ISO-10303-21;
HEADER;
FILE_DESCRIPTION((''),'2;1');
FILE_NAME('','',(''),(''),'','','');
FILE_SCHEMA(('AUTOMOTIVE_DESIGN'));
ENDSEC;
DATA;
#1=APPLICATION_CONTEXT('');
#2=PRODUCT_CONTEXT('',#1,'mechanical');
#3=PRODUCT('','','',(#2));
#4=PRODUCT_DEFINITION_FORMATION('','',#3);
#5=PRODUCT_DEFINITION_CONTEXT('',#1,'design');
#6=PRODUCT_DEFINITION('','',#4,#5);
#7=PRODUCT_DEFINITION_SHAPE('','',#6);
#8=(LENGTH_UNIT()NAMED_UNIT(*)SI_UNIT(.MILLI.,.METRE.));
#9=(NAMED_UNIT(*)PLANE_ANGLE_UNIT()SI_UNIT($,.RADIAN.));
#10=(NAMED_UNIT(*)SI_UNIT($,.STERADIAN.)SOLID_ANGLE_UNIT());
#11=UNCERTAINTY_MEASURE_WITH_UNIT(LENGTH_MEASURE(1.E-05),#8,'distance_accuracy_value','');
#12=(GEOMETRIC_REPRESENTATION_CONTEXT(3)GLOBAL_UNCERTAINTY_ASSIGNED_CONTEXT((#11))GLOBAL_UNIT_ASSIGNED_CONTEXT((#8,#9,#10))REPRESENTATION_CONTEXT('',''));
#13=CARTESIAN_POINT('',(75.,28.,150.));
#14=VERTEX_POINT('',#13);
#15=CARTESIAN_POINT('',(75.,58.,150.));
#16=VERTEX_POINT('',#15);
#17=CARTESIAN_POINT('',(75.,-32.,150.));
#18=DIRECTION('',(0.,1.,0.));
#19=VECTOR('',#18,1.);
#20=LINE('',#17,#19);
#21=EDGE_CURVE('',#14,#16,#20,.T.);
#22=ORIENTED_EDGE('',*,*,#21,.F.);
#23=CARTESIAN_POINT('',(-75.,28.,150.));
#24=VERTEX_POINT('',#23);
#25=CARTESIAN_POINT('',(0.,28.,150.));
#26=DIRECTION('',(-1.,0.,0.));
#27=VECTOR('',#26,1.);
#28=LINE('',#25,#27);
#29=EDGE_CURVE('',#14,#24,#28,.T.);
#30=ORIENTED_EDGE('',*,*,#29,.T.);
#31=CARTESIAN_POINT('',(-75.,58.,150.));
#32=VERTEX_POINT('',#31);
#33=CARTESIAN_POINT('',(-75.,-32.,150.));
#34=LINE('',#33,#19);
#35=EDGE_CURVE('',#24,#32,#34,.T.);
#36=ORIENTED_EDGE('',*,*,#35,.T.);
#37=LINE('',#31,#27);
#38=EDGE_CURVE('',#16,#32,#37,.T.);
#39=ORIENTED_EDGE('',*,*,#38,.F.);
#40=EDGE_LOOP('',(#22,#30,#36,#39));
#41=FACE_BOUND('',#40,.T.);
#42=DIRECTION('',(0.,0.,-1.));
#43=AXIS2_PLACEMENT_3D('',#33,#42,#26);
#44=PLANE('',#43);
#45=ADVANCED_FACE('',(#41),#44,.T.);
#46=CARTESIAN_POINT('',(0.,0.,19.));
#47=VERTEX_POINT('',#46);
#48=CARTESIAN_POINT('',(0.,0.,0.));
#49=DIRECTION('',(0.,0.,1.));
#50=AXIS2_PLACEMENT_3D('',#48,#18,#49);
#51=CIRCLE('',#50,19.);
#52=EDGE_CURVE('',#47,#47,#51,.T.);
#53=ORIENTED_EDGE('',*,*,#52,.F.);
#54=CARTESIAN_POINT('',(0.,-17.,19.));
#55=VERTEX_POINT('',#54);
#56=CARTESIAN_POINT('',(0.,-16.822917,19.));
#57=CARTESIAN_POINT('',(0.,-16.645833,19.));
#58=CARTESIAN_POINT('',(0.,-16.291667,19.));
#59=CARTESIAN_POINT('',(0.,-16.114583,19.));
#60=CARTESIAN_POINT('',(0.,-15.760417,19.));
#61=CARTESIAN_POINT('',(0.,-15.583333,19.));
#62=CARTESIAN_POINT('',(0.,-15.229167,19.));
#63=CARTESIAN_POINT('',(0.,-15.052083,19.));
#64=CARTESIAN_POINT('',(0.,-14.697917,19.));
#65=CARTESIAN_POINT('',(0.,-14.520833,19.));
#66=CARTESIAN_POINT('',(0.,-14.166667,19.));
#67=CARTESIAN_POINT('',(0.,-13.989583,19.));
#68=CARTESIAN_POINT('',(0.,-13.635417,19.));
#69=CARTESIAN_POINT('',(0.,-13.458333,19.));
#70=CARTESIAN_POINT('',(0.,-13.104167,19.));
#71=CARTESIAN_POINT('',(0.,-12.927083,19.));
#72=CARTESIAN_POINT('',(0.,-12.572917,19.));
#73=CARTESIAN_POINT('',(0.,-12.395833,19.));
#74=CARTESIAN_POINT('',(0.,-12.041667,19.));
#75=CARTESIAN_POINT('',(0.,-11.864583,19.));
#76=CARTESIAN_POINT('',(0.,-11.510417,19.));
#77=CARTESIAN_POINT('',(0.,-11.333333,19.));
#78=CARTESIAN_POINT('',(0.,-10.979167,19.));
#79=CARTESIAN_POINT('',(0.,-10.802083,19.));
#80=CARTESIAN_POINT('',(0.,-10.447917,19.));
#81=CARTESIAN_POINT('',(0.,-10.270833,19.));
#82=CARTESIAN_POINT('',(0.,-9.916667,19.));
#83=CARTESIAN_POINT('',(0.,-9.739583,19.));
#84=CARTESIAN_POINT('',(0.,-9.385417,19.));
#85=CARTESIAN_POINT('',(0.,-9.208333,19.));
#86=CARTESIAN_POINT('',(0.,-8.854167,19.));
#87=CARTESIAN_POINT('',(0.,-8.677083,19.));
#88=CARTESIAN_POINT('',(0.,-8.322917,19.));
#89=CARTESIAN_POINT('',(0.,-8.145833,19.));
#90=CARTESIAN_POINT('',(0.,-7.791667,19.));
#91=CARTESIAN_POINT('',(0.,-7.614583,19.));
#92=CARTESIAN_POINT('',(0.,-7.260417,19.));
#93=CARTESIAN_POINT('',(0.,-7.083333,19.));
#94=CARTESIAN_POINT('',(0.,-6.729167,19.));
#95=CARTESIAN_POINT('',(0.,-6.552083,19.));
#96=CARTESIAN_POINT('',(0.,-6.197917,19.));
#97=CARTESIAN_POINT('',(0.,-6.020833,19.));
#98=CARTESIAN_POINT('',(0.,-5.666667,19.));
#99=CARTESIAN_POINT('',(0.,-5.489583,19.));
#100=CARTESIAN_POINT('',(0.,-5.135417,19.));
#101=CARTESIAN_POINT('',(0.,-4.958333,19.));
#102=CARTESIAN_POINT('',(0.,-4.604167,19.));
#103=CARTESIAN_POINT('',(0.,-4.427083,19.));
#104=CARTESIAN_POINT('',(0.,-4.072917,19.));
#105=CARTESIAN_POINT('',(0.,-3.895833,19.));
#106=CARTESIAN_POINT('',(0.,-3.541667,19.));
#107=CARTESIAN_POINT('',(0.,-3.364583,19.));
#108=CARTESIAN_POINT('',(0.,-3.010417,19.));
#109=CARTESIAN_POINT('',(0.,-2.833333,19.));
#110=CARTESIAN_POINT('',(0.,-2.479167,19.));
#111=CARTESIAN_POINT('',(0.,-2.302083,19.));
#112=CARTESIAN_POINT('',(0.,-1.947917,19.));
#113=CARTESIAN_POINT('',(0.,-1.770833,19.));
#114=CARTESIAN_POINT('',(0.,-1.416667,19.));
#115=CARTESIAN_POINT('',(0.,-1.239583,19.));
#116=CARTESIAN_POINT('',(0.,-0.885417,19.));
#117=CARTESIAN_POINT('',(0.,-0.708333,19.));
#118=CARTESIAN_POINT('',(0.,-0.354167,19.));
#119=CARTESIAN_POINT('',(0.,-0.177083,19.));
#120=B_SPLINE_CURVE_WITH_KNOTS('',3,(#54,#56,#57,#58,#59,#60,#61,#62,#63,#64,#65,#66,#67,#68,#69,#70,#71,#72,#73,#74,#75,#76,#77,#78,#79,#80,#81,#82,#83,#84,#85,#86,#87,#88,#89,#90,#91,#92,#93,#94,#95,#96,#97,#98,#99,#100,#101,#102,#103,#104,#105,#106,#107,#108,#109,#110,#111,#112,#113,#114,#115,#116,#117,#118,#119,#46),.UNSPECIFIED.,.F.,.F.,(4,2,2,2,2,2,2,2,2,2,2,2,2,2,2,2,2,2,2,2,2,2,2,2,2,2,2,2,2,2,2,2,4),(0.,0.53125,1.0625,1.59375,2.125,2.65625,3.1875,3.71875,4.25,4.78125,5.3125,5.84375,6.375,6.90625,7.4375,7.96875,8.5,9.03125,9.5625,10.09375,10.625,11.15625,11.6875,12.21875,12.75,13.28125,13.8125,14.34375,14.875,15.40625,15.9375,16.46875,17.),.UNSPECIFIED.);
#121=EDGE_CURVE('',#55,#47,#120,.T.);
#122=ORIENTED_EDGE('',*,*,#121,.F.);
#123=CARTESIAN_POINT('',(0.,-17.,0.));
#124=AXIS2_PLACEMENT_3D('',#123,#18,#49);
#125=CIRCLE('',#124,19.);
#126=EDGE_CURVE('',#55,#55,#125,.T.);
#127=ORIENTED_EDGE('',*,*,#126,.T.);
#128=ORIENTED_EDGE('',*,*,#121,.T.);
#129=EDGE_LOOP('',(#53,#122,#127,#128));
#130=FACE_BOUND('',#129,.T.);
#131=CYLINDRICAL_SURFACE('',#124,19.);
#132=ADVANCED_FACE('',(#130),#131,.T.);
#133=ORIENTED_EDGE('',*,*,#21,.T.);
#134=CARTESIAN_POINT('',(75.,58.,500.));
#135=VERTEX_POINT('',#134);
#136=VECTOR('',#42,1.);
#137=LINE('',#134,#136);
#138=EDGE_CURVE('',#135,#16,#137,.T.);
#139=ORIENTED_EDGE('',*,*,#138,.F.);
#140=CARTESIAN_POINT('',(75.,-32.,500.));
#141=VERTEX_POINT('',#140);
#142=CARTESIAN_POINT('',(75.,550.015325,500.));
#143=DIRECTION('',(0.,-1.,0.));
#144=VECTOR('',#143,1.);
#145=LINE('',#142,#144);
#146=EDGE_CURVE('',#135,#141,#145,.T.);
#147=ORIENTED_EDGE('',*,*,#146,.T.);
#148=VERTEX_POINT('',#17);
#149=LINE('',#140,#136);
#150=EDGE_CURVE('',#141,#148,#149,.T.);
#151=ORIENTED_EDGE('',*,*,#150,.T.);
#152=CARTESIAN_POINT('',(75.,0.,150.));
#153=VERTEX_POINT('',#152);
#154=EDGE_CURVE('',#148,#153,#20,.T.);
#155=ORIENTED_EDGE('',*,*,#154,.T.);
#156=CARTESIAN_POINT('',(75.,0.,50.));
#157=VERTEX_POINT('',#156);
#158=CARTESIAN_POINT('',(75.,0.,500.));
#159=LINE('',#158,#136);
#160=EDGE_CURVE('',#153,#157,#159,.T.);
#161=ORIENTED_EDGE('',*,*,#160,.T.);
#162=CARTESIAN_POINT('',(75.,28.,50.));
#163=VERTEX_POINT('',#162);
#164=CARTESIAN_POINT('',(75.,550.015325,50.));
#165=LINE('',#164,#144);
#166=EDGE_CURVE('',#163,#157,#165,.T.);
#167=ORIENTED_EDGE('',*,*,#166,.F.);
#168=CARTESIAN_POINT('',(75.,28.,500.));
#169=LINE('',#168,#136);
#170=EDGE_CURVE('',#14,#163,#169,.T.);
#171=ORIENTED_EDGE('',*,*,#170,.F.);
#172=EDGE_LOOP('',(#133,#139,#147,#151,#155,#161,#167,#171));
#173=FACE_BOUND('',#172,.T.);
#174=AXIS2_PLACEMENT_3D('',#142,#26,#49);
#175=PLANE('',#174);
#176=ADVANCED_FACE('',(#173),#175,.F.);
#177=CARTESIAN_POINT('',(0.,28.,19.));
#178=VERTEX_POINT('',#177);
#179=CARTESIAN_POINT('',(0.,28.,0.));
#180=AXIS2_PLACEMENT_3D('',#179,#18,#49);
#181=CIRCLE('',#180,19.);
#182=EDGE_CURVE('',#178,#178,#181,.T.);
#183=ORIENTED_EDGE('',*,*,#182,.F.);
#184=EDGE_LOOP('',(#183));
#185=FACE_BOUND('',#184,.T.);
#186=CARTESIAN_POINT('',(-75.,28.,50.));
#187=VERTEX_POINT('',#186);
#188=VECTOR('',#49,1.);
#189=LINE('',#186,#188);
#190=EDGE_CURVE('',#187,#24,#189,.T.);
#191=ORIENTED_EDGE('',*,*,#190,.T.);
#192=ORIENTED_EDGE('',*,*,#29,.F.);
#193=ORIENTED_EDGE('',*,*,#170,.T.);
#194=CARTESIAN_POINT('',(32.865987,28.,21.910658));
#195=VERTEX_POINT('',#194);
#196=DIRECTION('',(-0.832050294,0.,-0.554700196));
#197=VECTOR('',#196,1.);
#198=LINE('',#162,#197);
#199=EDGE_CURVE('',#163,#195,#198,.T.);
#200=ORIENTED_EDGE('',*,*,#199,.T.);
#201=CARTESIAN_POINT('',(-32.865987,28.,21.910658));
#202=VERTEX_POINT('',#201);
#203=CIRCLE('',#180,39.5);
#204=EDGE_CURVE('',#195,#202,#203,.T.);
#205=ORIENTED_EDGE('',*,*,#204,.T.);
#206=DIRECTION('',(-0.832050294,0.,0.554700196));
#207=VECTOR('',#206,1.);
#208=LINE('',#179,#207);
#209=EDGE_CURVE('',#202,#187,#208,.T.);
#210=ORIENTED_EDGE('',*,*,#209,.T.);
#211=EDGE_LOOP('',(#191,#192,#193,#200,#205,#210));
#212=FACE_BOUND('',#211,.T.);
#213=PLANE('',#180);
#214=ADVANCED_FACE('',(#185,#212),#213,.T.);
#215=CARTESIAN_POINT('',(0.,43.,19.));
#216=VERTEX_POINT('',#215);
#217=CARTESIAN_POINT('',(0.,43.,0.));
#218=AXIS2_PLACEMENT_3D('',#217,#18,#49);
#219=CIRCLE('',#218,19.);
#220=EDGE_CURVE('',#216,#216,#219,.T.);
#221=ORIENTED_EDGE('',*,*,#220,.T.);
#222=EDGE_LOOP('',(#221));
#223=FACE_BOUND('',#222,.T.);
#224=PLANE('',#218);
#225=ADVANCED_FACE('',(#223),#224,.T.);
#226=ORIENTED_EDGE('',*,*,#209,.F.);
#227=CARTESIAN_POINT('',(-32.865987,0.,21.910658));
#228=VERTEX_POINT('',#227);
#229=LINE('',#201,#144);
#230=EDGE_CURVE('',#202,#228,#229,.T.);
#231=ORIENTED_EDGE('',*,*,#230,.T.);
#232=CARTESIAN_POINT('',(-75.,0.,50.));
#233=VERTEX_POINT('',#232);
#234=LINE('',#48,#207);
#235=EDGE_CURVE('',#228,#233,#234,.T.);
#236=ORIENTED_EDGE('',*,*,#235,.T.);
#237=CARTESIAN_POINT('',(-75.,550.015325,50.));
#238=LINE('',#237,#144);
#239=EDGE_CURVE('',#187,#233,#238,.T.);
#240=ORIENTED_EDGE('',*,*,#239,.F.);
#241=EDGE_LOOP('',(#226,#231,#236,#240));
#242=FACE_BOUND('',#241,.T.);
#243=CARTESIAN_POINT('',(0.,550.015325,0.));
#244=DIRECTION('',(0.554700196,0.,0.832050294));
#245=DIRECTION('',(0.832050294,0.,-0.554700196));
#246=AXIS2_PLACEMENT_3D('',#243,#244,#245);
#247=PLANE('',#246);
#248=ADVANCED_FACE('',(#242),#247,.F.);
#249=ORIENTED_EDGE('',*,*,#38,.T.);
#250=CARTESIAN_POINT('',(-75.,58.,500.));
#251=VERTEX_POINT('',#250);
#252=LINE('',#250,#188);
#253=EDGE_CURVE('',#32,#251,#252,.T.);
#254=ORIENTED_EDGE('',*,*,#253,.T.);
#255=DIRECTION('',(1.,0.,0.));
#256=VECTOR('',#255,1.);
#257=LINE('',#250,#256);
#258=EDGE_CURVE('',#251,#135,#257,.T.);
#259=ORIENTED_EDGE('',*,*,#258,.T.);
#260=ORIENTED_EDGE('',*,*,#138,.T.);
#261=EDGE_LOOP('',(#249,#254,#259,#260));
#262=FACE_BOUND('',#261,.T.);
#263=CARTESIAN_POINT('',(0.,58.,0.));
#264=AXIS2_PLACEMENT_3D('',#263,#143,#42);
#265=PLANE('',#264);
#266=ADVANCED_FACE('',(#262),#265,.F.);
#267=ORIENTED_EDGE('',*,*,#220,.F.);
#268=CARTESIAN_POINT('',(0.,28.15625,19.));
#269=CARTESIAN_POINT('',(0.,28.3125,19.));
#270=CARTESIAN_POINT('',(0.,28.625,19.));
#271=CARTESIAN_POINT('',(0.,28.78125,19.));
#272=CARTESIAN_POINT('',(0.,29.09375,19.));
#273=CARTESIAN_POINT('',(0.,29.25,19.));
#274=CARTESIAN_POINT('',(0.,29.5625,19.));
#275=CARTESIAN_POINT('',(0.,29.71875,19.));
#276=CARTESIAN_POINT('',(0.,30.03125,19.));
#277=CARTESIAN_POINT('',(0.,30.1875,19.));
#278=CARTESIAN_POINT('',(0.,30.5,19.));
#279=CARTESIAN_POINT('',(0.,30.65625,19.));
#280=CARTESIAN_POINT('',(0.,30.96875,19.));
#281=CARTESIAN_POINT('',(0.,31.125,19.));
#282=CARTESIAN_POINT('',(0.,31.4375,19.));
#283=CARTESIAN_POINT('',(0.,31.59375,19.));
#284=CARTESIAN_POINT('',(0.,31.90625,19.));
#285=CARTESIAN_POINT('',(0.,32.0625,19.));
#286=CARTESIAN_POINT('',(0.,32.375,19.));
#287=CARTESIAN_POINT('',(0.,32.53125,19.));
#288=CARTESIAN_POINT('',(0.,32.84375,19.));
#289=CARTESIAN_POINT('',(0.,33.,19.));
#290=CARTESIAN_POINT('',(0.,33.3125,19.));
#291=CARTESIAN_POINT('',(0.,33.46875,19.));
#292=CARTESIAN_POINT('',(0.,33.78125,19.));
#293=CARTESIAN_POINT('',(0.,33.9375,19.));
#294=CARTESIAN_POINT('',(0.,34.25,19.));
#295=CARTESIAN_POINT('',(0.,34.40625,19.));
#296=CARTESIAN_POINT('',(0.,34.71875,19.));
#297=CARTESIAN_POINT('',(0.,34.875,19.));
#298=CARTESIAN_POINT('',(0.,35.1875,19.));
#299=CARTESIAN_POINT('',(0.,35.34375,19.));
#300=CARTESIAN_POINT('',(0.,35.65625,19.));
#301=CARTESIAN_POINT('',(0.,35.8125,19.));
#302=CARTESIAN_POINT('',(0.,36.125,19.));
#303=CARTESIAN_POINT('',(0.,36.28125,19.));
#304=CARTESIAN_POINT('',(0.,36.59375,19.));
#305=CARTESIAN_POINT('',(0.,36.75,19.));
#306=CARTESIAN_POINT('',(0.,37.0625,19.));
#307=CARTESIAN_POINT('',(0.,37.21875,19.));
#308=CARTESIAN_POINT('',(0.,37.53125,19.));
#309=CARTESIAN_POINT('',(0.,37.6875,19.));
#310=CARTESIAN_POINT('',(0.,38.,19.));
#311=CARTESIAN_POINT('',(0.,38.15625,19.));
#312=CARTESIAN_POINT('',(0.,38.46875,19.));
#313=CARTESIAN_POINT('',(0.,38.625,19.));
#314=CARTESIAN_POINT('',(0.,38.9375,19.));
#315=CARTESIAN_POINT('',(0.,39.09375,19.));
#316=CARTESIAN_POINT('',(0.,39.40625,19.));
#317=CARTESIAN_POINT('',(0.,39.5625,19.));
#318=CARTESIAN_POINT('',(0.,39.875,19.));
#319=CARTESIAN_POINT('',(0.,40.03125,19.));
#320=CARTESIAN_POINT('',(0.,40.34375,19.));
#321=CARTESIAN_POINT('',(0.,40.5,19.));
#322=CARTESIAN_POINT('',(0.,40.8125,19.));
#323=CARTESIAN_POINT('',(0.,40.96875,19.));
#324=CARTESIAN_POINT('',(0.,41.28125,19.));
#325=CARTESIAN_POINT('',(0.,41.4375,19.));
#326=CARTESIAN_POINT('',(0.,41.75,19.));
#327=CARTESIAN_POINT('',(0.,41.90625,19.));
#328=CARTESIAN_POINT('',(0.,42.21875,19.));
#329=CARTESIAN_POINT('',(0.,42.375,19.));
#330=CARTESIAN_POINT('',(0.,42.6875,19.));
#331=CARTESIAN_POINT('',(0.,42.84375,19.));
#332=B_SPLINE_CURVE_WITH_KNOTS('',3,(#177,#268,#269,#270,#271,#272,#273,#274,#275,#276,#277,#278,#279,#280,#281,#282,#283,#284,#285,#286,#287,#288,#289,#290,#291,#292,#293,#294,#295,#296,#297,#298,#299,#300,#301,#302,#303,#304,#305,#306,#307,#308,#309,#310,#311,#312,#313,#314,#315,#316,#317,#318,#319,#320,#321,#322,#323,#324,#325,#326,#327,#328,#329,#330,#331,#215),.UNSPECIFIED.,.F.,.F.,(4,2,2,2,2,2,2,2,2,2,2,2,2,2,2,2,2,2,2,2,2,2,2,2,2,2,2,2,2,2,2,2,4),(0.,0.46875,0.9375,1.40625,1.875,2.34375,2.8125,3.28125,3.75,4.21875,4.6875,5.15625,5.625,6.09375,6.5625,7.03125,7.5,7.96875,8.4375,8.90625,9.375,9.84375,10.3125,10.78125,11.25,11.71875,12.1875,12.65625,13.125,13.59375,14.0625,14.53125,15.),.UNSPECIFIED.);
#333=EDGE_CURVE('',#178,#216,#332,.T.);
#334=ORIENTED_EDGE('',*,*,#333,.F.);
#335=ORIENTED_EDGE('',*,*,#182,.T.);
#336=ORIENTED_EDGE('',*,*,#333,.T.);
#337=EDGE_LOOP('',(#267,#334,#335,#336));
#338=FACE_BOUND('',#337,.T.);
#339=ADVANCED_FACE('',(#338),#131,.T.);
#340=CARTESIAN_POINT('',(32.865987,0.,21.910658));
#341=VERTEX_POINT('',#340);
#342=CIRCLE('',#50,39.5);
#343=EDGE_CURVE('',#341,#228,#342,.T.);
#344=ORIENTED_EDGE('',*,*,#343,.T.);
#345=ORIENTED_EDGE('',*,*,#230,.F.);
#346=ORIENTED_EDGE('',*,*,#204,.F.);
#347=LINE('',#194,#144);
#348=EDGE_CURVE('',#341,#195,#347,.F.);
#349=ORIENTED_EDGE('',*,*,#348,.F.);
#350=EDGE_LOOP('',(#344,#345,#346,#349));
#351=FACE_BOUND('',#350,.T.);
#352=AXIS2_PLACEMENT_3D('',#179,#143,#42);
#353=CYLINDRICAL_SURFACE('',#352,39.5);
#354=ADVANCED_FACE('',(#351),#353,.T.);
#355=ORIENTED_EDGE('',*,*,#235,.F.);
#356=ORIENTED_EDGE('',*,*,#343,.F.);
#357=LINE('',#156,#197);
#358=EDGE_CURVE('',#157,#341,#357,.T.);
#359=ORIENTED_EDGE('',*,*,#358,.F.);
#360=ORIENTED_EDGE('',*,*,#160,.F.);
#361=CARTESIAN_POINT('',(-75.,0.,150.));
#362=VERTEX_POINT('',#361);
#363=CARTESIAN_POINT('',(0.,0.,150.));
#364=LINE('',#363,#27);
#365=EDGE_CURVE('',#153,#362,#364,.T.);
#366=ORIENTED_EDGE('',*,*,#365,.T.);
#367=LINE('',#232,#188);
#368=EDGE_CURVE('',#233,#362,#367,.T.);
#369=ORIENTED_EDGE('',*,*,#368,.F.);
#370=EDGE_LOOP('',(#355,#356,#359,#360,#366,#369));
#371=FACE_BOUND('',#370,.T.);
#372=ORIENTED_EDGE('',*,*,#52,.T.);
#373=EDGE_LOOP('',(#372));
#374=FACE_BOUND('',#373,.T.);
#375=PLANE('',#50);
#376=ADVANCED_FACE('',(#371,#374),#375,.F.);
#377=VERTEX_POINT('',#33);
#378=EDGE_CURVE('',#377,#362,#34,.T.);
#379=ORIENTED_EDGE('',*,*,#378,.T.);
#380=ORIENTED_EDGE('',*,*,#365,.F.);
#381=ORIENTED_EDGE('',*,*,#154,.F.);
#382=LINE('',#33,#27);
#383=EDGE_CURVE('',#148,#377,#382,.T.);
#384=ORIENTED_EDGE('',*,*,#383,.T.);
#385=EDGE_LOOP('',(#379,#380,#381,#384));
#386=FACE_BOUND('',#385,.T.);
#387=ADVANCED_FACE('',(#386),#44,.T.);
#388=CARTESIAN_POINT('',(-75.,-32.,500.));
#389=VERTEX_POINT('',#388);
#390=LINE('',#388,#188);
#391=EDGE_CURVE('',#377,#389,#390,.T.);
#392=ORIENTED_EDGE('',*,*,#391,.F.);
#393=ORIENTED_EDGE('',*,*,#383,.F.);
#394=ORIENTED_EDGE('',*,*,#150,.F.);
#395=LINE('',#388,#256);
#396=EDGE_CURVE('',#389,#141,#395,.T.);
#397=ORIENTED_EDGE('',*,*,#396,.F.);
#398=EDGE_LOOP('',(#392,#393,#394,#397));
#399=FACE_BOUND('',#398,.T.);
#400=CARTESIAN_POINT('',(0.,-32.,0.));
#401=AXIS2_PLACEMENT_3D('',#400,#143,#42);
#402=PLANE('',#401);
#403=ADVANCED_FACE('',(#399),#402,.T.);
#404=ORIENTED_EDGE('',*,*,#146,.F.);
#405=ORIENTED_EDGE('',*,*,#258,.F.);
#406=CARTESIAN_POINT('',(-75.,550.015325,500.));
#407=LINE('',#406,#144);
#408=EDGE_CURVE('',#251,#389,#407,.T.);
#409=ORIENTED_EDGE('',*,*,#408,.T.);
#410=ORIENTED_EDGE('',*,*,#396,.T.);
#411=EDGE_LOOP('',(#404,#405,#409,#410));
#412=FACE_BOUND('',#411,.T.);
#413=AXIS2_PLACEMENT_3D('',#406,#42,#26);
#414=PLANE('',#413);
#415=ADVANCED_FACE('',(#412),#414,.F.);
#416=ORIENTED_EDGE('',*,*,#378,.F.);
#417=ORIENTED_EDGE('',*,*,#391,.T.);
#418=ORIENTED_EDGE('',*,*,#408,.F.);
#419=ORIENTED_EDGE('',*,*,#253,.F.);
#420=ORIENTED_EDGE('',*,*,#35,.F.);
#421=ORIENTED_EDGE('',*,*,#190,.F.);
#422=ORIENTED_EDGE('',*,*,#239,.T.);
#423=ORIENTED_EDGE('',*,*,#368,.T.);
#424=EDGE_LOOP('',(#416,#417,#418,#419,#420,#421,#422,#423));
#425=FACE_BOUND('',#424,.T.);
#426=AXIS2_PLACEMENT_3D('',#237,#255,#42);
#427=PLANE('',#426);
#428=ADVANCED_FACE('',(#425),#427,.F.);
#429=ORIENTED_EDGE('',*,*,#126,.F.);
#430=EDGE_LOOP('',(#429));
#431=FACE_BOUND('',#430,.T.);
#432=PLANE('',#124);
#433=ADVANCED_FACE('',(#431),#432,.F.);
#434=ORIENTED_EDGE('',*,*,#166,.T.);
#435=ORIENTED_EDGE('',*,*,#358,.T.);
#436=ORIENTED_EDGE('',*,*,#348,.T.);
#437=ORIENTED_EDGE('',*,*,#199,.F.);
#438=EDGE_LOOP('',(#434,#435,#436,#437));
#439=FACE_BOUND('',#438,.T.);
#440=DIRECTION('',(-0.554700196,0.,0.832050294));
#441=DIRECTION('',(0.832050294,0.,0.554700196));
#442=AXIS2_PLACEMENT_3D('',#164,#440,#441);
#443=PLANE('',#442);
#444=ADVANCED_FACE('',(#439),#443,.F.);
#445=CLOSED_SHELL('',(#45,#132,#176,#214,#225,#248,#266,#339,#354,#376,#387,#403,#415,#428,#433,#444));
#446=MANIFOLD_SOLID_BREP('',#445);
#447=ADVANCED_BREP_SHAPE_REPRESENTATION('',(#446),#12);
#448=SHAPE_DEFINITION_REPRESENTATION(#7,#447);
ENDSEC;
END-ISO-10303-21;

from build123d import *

# Parameters (mm, degrees)
SKETCH1_R                = 39.5
BOSS_EXTRUDE1_DEPTH      = 28
BOSS_EXTRUDE2_DEPTH      = 15
BOSS_EXTRUDE2_DEPTH_BACK = 45
SKETCH2_R                = 19
BOSS_EXTRUDE3_DEPTH      = 28
BOSS_EXTRUDE4_DEPTH      = 30
BOSS_EXTRUDE4_DEPTH_BACK = 60
SKETCH4_W                = 150
SKETCH4_H                = 350


with BuildPart() as part:
    # Sketch1 → Boss-Extrude1 (new body)
    with BuildSketch(Plane(origin=(0, 0, 0), x_dir=(1, 0, 0), z_dir=(0, 1, 0))):
        with Locations(Location((0, 0, 0), (0, 0, 270))):
            Circle(SKETCH1_R)
    extrude(amount=BOSS_EXTRUDE1_DEPTH)

    # Sketch2 → Boss-Extrude2 (add, two sides: drawn at the far end of the back side and taken through both)
    with BuildSketch(Plane(origin=(0, 28, 0), x_dir=(1, 0, 0), z_dir=(0, 1, 0)).offset(-BOSS_EXTRUDE2_DEPTH_BACK)):
        with Locations(Location((0, 0, 0), (0, 0, 270))):
            Circle(SKETCH2_R)
    extrude(amount=BOSS_EXTRUDE2_DEPTH + BOSS_EXTRUDE2_DEPTH_BACK)

    # Sketch3 → Boss-Extrude3 (add)
    with BuildSketch(Plane(origin=(0, 0, 0), x_dir=(1, 0, 0), z_dir=(0, 1, 0))):
        Polygon((0, 0), (-75, -50), (-75, -500), (75, -500), (75, -50), align=None)
    extrude(amount=BOSS_EXTRUDE3_DEPTH)

    # Sketch4 → Boss-Extrude4 (add, two sides: drawn at the far end of the back side and taken through both)
    with BuildSketch(Plane(origin=(0, 28, 0), x_dir=(1, 0, 0), z_dir=(0, 1, 0)).offset(-BOSS_EXTRUDE4_DEPTH_BACK)):
        with Locations((0, -325)):
            Rectangle(SKETCH4_W, SKETCH4_H)
    extrude(amount=BOSS_EXTRUDE4_DEPTH + BOSS_EXTRUDE4_DEPTH_BACK)


solid = part.part
